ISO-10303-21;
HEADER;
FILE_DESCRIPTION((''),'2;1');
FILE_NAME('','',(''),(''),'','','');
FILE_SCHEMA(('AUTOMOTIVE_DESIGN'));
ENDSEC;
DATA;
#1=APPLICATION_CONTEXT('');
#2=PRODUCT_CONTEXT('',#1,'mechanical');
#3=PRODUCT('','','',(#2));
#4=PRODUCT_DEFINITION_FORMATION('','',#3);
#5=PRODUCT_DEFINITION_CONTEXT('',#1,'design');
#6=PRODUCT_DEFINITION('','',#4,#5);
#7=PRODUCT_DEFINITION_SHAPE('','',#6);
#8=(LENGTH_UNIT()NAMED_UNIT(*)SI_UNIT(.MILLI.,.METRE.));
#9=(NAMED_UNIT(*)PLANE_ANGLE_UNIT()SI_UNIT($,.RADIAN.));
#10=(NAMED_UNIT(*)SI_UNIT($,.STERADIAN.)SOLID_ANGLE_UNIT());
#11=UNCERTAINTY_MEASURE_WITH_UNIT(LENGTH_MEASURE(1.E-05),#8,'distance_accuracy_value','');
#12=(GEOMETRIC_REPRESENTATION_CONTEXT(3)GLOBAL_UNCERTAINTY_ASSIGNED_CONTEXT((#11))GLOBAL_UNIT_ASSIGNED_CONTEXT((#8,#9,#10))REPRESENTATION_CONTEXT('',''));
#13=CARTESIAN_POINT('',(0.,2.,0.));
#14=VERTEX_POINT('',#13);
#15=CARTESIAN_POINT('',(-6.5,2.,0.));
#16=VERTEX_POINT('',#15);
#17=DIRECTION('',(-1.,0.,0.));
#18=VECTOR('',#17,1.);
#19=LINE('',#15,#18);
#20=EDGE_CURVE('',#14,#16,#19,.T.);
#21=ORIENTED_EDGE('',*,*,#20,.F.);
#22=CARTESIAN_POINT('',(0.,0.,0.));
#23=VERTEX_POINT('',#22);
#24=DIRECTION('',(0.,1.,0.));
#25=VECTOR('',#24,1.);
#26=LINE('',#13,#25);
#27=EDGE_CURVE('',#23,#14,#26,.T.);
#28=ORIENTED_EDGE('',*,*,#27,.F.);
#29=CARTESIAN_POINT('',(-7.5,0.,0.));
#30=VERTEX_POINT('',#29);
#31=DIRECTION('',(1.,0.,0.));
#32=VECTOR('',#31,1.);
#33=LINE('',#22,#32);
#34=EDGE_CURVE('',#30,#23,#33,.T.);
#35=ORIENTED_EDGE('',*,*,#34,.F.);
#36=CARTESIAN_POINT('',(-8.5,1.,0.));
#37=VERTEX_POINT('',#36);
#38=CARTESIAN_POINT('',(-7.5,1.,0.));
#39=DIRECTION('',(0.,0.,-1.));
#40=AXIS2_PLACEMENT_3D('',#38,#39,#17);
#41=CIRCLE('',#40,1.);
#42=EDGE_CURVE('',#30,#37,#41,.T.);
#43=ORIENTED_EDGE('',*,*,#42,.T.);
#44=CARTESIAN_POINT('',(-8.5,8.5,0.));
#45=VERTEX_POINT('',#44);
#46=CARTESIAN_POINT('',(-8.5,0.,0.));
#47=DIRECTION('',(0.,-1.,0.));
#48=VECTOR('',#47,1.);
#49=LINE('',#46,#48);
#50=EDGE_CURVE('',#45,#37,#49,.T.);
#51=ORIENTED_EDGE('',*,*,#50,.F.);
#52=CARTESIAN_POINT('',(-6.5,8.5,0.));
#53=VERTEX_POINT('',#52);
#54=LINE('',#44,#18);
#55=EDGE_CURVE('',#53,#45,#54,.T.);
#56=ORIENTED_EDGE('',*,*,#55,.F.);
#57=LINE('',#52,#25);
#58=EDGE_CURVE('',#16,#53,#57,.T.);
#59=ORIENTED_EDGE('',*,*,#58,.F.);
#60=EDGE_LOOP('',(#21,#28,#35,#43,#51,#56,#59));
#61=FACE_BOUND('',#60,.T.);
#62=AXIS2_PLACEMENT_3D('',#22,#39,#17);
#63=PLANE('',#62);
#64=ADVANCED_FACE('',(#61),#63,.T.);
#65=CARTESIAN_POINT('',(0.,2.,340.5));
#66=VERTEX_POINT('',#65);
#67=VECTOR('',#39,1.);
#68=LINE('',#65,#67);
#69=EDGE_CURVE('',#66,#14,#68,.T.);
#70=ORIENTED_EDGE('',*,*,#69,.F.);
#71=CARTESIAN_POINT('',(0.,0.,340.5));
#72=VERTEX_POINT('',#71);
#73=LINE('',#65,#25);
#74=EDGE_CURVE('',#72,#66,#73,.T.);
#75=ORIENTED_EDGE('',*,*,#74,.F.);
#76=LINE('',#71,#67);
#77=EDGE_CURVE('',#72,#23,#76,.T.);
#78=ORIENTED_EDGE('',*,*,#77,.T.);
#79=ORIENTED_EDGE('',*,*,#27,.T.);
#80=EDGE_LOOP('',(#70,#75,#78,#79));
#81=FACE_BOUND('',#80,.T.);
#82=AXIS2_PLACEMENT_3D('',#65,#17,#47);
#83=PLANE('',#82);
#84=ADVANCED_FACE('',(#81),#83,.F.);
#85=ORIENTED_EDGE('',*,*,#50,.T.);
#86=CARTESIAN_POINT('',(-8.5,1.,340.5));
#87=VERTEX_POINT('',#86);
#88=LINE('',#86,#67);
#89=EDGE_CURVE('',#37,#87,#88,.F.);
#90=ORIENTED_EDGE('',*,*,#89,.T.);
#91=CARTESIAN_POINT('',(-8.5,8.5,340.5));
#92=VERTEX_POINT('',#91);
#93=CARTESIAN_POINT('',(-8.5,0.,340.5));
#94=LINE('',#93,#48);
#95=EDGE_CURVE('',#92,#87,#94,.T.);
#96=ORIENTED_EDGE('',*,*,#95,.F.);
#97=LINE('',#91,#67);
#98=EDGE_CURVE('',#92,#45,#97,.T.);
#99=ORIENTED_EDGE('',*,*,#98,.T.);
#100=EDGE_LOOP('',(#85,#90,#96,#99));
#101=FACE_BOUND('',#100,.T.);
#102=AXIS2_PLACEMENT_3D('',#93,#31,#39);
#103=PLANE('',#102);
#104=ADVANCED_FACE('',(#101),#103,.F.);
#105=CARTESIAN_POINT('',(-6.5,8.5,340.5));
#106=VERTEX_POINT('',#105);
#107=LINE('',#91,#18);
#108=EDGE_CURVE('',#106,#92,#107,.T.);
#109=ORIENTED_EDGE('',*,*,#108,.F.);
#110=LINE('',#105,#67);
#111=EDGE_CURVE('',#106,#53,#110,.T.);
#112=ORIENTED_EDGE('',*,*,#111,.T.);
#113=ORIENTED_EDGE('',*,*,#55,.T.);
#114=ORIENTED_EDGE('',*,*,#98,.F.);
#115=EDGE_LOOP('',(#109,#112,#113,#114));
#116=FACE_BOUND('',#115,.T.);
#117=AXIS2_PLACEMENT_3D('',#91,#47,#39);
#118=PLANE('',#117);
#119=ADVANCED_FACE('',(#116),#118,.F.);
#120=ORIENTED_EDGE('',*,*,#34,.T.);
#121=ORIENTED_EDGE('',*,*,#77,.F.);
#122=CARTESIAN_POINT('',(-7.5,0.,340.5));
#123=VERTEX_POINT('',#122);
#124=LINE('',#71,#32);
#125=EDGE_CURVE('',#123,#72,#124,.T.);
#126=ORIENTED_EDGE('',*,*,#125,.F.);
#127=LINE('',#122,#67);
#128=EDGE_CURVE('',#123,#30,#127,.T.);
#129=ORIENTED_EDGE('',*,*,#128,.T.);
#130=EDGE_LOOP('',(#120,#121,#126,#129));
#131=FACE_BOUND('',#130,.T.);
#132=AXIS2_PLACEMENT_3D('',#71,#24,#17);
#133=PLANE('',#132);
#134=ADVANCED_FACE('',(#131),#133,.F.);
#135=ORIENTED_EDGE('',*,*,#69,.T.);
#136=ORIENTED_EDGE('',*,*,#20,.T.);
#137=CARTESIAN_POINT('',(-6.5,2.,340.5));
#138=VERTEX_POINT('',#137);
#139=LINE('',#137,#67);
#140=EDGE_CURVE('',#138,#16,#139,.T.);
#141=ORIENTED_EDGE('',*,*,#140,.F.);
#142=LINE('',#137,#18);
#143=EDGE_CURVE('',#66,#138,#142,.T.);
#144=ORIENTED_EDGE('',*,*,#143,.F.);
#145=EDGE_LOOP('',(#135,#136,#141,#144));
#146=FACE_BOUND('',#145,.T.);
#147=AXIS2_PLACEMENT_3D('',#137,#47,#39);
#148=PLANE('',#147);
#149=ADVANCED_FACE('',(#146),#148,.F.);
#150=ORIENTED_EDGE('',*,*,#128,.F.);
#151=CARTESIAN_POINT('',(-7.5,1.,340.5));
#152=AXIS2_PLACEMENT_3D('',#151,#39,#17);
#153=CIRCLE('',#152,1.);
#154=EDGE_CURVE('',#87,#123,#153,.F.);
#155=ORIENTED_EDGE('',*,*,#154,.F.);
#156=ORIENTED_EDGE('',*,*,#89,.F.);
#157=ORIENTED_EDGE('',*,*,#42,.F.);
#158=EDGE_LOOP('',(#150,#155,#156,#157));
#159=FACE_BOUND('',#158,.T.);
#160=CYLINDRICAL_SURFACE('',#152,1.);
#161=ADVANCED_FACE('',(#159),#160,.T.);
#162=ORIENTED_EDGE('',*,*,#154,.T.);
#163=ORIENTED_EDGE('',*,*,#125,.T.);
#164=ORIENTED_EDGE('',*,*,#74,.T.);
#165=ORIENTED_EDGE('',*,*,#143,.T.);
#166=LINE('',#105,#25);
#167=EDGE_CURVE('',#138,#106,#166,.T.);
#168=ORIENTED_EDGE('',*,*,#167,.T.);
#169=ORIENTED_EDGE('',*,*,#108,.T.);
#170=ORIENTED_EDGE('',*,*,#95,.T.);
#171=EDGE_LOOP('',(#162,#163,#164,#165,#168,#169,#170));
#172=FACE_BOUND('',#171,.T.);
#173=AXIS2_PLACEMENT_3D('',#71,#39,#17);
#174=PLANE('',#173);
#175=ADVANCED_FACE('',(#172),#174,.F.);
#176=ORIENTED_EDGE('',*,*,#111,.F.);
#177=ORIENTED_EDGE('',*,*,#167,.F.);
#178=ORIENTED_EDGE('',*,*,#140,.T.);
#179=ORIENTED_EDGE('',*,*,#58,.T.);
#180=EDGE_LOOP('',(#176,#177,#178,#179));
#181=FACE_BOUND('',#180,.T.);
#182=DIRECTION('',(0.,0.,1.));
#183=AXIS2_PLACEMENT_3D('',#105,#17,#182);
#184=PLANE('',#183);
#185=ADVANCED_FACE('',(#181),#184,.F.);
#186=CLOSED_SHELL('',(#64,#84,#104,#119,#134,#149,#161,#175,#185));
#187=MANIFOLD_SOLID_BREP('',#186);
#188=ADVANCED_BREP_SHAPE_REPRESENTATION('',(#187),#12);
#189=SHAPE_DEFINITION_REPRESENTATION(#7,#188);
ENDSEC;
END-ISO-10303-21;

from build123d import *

# Parameters (mm, degrees)
BOSS_EXTRUDE1_DEPTH = 340.5
FILLET1_R           = 1


with BuildPart() as part:
    # Sketch1 → Boss-Extrude1 (new body)
    with BuildSketch(Plane.XY):
        Polygon((0, 0), (-8.5, 0), (-8.5, 8.5), (-6.5, 8.5), (-6.5, 2), (0, 2), align=None)
    extrude(amount=BOSS_EXTRUDE1_DEPTH)

    # Fillet1
    fillet1_edges = [part.edges().sort_by_distance(p)[0] for p in [
        (-8.5, 0, 170.25),
    ]]
    fillet(fillet1_edges, radius=FILLET1_R)


solid = part.part
